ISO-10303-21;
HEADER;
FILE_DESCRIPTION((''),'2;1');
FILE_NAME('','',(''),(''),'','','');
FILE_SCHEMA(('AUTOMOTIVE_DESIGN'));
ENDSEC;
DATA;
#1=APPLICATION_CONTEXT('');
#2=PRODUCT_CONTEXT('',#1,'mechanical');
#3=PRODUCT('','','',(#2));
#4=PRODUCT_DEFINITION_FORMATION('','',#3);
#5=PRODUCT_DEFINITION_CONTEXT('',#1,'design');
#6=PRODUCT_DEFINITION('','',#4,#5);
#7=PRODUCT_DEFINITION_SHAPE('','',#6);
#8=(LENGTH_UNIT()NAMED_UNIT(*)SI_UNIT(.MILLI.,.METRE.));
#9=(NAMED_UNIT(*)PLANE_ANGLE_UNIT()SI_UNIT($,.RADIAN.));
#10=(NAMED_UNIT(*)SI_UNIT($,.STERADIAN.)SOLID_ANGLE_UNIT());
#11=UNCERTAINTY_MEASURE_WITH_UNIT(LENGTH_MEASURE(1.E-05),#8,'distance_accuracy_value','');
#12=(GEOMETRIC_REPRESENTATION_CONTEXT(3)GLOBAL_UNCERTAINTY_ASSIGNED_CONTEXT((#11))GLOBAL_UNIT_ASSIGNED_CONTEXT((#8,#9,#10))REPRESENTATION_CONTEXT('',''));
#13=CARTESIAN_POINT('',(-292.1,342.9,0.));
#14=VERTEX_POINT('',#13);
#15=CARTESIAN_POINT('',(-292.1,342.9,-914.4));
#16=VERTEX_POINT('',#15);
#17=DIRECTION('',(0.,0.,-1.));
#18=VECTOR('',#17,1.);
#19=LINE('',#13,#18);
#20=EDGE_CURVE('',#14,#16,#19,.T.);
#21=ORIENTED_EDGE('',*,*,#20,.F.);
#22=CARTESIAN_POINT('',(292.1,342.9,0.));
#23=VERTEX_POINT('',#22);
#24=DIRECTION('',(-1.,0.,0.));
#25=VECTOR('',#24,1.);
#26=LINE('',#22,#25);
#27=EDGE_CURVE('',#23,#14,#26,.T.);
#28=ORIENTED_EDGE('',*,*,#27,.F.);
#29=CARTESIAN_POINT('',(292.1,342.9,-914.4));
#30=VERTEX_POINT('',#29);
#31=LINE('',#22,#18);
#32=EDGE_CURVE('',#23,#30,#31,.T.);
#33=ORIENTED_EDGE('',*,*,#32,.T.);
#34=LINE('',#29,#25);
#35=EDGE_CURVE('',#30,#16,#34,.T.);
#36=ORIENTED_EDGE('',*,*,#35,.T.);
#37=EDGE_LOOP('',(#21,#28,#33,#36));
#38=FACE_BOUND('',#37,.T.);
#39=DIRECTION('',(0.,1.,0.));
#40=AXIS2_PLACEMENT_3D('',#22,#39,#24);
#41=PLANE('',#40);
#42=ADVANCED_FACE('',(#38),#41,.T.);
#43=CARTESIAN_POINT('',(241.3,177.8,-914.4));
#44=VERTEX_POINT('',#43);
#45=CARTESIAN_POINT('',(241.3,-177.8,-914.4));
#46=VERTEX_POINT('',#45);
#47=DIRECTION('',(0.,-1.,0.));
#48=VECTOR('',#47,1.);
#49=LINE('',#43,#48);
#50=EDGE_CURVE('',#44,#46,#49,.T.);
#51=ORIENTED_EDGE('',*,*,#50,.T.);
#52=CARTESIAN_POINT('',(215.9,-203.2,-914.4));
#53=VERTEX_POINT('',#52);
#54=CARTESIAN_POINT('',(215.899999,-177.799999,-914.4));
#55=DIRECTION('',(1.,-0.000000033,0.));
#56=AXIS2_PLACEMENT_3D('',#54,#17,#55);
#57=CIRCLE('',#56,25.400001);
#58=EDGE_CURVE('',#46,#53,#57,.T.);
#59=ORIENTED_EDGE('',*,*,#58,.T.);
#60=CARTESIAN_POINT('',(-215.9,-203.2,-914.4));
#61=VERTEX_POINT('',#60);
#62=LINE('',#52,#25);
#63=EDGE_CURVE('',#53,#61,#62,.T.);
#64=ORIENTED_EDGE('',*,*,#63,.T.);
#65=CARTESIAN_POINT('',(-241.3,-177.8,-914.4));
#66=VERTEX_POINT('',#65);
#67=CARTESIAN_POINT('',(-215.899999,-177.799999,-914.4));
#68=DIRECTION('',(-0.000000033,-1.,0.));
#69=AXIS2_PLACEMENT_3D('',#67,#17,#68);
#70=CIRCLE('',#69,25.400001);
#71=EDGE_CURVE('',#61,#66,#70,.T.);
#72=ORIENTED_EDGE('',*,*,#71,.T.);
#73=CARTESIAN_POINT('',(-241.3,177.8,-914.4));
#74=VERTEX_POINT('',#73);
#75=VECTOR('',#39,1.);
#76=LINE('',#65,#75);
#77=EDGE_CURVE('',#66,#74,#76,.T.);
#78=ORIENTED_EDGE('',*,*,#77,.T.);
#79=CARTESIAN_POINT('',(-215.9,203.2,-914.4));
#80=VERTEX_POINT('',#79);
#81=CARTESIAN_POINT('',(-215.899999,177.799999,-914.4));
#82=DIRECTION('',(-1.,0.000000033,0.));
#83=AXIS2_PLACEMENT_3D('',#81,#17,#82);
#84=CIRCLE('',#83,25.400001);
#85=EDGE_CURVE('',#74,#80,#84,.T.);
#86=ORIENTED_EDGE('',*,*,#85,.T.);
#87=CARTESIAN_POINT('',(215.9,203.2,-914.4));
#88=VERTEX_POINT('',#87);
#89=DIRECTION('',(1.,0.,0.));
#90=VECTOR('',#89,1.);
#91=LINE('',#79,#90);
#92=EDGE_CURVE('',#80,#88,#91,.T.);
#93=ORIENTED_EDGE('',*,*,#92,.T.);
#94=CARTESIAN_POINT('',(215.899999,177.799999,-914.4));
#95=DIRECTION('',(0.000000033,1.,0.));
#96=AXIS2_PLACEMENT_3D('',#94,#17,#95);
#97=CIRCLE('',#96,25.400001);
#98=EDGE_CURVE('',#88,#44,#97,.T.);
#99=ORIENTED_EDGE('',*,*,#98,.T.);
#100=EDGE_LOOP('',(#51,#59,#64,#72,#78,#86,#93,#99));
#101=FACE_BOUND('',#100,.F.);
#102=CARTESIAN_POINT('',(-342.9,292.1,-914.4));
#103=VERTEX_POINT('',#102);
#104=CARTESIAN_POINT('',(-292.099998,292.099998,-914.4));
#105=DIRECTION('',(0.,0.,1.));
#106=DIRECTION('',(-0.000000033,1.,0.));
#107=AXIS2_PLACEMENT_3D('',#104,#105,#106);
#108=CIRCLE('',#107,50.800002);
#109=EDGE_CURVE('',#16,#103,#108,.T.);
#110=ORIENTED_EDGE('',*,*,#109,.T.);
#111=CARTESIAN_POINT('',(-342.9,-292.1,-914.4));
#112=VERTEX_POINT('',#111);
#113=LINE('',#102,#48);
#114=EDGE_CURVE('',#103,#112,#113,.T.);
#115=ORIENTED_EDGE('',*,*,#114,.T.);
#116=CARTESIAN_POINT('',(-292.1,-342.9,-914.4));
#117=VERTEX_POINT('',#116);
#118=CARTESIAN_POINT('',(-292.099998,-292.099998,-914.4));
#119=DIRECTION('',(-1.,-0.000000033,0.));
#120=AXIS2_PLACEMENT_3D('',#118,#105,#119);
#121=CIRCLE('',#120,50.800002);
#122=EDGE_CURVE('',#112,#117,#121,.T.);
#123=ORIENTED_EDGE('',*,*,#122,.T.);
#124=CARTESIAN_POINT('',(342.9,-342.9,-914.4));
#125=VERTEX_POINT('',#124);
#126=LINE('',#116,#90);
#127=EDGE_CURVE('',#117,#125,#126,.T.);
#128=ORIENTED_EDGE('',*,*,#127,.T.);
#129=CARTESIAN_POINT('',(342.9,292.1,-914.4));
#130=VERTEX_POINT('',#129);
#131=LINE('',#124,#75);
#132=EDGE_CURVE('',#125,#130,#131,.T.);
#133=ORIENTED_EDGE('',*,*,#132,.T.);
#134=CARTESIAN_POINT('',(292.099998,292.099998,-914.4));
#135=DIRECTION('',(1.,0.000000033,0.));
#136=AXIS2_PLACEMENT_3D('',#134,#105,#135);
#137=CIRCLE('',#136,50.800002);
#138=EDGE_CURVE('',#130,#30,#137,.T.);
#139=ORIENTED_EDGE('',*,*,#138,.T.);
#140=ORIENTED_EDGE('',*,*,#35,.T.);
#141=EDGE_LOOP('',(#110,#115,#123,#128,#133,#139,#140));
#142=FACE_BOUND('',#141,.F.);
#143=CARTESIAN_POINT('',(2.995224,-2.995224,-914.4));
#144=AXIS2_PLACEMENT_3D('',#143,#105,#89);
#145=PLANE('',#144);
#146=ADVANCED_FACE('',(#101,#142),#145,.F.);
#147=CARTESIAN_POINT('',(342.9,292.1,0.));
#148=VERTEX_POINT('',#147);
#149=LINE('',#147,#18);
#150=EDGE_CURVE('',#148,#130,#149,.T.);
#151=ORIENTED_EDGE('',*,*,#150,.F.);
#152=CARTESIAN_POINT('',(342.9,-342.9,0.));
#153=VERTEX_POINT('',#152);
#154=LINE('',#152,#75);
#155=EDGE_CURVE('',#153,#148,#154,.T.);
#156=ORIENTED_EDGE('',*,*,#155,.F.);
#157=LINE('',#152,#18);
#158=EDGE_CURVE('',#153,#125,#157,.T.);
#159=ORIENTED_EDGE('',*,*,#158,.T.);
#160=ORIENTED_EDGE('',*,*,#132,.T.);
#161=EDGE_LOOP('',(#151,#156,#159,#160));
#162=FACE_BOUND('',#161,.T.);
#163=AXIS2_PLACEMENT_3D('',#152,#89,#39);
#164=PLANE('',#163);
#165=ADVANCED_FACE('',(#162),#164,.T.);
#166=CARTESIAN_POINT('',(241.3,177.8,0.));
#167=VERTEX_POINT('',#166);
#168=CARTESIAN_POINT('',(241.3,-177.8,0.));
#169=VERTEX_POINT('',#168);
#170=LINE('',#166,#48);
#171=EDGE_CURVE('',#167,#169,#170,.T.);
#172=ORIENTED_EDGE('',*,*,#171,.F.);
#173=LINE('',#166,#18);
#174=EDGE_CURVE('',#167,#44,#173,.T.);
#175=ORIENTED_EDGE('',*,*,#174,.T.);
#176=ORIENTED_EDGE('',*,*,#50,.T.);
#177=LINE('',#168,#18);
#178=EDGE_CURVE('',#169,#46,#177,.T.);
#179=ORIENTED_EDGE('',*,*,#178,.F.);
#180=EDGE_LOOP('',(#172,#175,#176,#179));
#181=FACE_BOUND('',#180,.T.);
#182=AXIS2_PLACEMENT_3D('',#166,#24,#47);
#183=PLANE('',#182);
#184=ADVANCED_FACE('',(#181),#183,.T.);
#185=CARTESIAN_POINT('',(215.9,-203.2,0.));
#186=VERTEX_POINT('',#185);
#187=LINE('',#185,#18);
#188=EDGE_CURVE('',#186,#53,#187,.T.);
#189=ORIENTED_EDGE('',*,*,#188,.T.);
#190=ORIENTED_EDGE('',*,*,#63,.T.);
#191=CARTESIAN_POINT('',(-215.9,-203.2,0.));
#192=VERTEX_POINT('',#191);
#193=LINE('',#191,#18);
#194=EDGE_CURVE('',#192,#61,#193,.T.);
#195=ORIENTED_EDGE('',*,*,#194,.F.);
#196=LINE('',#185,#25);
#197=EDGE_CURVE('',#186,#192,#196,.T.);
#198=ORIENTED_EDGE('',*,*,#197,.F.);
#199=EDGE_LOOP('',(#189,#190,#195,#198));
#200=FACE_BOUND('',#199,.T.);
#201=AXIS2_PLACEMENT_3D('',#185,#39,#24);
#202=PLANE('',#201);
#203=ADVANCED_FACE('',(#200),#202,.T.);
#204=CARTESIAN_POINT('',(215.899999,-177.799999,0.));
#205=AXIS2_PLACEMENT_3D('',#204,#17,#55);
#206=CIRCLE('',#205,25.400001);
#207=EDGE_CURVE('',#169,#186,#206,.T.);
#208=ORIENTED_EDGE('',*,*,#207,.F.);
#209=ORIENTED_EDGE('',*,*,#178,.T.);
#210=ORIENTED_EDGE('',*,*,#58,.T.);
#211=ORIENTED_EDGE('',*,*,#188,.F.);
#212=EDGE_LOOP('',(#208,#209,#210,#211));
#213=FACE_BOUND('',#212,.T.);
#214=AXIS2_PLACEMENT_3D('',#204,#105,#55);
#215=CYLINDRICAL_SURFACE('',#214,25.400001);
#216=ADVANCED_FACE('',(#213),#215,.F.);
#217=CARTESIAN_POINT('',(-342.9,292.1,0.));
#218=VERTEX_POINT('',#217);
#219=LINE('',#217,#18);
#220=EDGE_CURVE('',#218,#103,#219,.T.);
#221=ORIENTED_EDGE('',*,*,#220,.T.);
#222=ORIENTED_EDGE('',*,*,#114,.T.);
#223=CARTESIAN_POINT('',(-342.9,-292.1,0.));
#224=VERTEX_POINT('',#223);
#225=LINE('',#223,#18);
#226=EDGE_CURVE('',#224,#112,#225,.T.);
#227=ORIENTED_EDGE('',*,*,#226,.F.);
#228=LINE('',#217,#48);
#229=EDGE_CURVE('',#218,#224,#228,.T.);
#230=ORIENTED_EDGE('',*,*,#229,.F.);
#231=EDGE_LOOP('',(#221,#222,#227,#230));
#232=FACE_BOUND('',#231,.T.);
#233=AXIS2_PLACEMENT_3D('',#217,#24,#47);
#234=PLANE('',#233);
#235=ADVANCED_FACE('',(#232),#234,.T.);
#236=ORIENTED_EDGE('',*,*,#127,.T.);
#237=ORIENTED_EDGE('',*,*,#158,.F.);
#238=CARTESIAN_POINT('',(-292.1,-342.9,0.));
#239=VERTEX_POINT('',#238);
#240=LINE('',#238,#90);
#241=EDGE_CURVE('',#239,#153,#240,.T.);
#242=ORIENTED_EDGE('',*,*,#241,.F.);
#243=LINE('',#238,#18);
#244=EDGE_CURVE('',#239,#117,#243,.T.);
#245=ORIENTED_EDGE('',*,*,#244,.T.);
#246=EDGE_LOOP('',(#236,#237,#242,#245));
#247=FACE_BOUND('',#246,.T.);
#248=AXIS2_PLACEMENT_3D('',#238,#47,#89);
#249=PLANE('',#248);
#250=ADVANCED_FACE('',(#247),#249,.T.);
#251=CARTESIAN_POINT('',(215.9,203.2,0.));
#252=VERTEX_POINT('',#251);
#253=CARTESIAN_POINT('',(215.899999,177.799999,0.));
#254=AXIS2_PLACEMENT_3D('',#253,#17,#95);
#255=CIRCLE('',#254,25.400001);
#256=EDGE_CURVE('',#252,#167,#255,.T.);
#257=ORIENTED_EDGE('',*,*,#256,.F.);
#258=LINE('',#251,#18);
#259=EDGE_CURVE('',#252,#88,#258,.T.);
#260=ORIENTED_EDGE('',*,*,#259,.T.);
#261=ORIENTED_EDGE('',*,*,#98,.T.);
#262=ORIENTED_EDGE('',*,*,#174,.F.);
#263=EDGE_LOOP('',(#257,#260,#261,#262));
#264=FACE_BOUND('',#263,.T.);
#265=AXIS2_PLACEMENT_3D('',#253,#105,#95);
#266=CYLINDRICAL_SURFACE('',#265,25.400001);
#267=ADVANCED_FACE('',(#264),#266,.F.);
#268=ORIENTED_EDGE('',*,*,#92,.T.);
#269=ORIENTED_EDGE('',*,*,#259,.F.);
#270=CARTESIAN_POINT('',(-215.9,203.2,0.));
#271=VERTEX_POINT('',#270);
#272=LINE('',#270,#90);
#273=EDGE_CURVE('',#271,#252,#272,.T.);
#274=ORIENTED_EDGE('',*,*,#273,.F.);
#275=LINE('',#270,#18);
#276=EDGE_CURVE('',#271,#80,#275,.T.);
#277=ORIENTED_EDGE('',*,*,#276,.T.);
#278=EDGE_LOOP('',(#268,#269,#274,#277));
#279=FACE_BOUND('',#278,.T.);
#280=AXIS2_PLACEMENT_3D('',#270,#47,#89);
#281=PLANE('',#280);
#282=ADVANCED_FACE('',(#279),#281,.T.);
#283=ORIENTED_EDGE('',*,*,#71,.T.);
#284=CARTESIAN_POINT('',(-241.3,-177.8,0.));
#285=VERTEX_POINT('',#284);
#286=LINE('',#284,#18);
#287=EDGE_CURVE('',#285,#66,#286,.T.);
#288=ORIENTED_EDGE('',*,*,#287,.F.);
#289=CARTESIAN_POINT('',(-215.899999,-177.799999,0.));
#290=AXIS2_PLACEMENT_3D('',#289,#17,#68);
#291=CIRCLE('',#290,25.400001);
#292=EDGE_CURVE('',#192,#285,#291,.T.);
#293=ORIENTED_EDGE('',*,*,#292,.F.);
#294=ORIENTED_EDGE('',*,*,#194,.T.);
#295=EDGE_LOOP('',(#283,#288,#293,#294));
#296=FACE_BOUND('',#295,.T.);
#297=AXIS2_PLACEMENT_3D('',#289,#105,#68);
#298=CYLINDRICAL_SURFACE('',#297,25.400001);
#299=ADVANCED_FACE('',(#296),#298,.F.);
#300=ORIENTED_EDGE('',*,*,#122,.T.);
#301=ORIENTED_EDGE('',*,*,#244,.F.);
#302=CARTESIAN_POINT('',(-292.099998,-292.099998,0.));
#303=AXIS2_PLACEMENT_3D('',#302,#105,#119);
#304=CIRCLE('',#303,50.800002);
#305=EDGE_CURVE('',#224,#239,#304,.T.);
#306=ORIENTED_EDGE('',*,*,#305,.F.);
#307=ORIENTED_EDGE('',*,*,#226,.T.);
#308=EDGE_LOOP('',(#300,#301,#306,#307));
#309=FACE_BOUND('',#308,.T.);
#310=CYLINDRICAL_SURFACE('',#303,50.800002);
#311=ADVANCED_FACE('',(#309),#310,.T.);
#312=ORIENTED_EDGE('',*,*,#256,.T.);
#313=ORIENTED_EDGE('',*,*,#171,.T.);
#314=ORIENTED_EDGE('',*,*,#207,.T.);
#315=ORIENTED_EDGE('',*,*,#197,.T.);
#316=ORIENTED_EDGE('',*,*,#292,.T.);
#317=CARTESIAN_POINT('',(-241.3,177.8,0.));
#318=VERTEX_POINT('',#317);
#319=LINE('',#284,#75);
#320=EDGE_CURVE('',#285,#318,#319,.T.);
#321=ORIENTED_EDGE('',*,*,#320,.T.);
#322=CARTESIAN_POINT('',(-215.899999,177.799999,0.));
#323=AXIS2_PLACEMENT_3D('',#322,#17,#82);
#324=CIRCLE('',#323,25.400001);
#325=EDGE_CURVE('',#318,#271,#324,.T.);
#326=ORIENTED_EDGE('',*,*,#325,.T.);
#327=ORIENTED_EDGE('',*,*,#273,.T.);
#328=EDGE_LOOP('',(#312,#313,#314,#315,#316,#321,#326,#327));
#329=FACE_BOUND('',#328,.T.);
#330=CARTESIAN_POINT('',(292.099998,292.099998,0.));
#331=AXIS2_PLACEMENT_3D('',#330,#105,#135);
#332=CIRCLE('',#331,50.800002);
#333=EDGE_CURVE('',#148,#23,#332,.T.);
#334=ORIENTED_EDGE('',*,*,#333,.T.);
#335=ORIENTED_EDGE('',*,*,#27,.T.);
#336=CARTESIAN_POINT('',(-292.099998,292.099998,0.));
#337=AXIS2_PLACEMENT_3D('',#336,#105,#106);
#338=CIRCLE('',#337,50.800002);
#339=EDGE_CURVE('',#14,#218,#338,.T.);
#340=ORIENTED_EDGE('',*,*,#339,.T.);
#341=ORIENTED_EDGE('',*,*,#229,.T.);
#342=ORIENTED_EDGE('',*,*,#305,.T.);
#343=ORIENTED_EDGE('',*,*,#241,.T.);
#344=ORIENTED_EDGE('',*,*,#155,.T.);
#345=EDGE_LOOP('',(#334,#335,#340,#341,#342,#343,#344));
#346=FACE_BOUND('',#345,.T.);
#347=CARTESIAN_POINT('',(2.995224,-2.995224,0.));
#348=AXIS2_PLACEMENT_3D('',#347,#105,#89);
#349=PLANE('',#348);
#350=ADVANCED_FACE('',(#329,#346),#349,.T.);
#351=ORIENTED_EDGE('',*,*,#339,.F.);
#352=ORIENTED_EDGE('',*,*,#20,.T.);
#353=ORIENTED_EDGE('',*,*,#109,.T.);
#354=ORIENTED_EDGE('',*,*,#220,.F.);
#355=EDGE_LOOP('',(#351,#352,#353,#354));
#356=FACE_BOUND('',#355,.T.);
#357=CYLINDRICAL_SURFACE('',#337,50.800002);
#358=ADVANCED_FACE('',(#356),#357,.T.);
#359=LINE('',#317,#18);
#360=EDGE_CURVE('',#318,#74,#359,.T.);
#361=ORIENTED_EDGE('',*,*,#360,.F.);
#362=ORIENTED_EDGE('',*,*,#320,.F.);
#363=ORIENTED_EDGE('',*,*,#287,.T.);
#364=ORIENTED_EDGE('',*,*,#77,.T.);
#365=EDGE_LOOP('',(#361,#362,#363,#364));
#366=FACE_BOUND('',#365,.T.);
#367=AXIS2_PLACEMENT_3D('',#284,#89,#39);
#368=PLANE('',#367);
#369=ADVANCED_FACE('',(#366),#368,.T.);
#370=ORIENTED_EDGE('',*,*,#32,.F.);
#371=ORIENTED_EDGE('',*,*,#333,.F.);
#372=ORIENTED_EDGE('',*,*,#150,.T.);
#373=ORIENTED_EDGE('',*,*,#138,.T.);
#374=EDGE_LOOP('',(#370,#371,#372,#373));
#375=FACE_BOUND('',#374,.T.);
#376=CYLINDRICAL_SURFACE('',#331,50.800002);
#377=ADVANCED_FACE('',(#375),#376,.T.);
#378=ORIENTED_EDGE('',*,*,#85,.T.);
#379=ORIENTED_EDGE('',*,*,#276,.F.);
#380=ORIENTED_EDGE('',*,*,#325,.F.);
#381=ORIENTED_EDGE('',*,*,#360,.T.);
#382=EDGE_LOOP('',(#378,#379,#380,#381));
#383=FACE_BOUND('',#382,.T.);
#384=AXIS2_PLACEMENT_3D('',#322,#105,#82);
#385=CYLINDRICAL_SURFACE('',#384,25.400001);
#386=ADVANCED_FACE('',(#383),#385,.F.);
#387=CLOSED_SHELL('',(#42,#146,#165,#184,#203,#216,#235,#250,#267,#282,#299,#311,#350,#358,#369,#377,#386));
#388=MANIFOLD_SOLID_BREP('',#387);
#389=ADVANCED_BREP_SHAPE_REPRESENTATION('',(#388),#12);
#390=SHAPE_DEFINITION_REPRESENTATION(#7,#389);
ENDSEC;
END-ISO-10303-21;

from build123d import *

# Parameters (mm, degrees)
F1_DEPTH = 914.4


with BuildPart() as f1:
    # F0 (on Top) → F1 (new body)
    with BuildSketch(Plane.XY):
        with BuildLine():
            ThreePointArc((-342.9, -292.1), (-328.021024, -328.021024), (-292.1, -342.9))
            Line((-292.1, -342.9), (342.9, -342.9))
            Line((342.9, -342.9), (342.9, 292.1))
            ThreePointArc((342.9, 292.1), (328.021024, 328.021024), (292.1, 342.9))
            Line((292.1, 342.9), (-292.1, 342.9))
            ThreePointArc((-292.1, 342.9), (-328.021024, 328.021024), (-342.9, 292.1))
            Line((-342.9, 292.1), (-342.9, -292.1))
        make_face()
        with BuildLine():
            ThreePointArc((241.3, -177.8), (233.860512, -195.760512), (215.9, -203.2))
            Line((215.9, -203.2), (-215.9, -203.2))
            ThreePointArc((-215.9, -203.2), (-233.860512, -195.760512), (-241.3, -177.8))
            Line((-241.3, -177.8), (-241.3, 177.8))
            ThreePointArc((-241.3, 177.8), (-233.860512, 195.760512), (-215.9, 203.2))
            Line((-215.9, 203.2), (215.9, 203.2))
            ThreePointArc((215.9, 203.2), (233.860512, 195.760512), (241.3, 177.8))
            Line((241.3, 177.8), (241.3, -177.8))
        make_face(mode=Mode.SUBTRACT)
    extrude(amount=-F1_DEPTH)


solid = f1.part
